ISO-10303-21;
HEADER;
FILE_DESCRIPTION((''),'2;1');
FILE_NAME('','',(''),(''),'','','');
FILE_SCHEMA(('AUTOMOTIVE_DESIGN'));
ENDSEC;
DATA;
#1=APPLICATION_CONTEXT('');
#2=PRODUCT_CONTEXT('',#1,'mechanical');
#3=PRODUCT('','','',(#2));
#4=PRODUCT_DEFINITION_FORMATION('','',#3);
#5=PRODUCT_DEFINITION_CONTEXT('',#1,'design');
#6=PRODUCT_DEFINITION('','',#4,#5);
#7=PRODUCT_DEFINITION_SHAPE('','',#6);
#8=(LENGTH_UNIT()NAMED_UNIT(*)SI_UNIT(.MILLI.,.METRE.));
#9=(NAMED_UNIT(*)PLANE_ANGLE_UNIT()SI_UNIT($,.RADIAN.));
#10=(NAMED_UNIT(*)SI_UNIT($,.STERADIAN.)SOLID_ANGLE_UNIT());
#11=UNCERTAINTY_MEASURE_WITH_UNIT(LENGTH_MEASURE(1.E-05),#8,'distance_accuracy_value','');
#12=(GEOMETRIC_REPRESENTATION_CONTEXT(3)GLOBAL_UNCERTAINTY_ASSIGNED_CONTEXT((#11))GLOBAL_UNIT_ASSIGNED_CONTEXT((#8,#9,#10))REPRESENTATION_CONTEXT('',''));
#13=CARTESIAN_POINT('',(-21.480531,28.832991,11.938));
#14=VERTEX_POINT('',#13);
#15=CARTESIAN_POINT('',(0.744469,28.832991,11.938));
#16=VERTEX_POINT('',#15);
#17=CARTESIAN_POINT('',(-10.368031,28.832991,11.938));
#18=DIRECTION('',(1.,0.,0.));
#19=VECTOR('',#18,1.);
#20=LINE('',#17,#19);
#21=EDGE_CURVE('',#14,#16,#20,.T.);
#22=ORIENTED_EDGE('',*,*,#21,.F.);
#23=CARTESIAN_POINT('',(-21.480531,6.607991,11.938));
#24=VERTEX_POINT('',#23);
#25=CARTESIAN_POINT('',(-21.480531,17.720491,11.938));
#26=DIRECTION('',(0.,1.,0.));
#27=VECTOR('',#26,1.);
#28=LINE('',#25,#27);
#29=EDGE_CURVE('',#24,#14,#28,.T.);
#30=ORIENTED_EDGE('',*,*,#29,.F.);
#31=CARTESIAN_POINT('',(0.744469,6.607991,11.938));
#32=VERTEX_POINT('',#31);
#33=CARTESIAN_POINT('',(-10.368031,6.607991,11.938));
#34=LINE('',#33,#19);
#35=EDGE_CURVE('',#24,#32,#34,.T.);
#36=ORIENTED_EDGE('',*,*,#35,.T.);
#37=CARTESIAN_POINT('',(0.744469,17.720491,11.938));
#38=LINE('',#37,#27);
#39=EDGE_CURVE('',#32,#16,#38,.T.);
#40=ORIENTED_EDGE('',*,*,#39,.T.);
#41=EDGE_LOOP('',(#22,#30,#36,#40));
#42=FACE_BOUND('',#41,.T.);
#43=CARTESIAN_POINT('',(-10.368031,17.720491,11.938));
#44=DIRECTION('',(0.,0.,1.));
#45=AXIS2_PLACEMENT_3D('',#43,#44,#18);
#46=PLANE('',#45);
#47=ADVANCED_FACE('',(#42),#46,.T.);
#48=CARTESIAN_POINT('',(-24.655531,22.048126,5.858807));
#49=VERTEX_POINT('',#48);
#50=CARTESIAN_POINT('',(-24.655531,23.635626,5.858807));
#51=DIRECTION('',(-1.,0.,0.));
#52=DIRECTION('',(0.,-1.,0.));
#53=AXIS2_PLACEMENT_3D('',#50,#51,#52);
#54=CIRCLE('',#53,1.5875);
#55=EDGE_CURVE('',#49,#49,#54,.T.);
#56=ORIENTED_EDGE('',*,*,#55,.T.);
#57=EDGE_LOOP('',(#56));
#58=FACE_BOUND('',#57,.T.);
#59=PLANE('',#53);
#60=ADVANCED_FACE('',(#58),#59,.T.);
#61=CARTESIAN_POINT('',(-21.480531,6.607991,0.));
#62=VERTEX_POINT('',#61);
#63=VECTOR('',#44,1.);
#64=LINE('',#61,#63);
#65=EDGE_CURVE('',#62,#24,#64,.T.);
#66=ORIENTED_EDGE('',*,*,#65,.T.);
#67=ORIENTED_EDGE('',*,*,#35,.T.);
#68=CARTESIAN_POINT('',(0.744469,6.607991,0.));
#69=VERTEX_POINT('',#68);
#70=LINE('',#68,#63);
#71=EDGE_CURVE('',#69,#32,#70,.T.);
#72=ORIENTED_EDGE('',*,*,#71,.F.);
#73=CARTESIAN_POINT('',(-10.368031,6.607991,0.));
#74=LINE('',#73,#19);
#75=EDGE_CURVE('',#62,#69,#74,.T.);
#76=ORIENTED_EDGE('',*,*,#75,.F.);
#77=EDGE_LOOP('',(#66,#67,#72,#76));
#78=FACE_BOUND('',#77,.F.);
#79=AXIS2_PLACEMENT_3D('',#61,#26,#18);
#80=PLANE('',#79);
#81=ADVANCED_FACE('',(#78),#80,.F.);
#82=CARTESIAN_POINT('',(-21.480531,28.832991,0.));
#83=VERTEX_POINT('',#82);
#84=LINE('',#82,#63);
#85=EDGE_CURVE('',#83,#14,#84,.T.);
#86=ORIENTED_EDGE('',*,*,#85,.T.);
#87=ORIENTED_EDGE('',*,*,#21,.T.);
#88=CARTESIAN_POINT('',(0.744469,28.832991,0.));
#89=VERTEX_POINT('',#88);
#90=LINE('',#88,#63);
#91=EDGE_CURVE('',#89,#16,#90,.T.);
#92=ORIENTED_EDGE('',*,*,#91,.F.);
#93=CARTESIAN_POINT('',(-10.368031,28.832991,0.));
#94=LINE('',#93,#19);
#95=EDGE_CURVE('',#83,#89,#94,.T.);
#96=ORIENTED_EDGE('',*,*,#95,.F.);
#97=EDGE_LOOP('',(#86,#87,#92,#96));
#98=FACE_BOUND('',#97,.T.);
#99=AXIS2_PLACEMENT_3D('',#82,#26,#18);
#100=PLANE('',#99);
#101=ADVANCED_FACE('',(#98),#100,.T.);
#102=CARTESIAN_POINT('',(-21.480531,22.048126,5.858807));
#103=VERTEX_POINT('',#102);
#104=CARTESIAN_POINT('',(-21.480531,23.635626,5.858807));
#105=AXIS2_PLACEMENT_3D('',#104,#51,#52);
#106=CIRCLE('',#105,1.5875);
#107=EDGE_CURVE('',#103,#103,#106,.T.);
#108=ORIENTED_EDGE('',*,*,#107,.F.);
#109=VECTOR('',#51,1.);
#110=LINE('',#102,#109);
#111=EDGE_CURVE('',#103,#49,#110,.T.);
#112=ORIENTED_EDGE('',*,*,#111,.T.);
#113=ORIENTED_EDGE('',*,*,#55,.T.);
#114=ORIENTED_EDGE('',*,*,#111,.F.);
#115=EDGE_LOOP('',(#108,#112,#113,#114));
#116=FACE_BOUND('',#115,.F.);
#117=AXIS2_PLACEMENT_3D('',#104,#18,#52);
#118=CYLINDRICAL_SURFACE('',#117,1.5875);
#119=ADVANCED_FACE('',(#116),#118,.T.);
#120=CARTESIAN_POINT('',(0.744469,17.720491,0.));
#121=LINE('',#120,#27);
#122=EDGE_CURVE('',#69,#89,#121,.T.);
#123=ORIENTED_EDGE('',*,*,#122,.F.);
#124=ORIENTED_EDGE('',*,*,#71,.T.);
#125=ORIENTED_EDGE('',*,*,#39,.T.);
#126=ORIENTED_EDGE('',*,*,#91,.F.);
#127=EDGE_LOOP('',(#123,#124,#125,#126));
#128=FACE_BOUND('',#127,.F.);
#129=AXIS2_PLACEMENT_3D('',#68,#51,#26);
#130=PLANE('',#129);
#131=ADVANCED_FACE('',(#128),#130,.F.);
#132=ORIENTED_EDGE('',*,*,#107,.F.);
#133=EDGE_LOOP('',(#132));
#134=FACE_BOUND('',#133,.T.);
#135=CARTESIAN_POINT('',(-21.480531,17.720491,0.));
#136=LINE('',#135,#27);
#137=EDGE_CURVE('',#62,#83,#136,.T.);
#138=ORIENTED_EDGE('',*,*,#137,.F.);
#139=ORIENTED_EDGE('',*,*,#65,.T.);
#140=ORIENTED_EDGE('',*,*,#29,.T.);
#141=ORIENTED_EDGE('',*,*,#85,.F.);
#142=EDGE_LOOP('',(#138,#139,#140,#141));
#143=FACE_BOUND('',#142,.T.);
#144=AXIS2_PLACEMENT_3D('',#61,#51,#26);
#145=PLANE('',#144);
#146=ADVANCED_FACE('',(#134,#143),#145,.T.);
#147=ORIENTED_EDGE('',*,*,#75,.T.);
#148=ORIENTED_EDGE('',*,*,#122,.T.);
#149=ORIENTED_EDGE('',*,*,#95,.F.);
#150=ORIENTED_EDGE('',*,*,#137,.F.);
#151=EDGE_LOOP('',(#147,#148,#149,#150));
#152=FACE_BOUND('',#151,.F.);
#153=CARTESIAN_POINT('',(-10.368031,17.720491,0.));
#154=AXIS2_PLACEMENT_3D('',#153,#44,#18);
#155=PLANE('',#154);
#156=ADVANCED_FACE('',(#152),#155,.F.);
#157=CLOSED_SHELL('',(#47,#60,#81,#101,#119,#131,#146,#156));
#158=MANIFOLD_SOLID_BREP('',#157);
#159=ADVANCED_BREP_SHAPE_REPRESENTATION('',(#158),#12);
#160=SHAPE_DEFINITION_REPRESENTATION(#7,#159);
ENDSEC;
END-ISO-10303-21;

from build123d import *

# Parameters (mm, degrees)
F0_W     = 22.225
F0_H     = 22.225
F1_DEPTH = 11.938
F2_R     = 1.5875
F3_DEPTH = 3.175


with BuildPart() as f1:
    # F0 (on Top) → F1 (new body)
    with BuildSketch(Plane.XY):
        with Locations((-10.368031, 17.720491)):
            Rectangle(F0_W, F0_H)
    extrude(amount=F1_DEPTH)

    # F2 (on face) → F3 (join)
    with BuildSketch(Plane(origin=(-21.480531, 0, 0), x_dir=(0, -1, 0), z_dir=(-1, 0, 0))):
        with Locations((-23.635626, 5.858807)):
            Circle(F2_R)
    extrude(amount=F3_DEPTH)


solid = f1.part
